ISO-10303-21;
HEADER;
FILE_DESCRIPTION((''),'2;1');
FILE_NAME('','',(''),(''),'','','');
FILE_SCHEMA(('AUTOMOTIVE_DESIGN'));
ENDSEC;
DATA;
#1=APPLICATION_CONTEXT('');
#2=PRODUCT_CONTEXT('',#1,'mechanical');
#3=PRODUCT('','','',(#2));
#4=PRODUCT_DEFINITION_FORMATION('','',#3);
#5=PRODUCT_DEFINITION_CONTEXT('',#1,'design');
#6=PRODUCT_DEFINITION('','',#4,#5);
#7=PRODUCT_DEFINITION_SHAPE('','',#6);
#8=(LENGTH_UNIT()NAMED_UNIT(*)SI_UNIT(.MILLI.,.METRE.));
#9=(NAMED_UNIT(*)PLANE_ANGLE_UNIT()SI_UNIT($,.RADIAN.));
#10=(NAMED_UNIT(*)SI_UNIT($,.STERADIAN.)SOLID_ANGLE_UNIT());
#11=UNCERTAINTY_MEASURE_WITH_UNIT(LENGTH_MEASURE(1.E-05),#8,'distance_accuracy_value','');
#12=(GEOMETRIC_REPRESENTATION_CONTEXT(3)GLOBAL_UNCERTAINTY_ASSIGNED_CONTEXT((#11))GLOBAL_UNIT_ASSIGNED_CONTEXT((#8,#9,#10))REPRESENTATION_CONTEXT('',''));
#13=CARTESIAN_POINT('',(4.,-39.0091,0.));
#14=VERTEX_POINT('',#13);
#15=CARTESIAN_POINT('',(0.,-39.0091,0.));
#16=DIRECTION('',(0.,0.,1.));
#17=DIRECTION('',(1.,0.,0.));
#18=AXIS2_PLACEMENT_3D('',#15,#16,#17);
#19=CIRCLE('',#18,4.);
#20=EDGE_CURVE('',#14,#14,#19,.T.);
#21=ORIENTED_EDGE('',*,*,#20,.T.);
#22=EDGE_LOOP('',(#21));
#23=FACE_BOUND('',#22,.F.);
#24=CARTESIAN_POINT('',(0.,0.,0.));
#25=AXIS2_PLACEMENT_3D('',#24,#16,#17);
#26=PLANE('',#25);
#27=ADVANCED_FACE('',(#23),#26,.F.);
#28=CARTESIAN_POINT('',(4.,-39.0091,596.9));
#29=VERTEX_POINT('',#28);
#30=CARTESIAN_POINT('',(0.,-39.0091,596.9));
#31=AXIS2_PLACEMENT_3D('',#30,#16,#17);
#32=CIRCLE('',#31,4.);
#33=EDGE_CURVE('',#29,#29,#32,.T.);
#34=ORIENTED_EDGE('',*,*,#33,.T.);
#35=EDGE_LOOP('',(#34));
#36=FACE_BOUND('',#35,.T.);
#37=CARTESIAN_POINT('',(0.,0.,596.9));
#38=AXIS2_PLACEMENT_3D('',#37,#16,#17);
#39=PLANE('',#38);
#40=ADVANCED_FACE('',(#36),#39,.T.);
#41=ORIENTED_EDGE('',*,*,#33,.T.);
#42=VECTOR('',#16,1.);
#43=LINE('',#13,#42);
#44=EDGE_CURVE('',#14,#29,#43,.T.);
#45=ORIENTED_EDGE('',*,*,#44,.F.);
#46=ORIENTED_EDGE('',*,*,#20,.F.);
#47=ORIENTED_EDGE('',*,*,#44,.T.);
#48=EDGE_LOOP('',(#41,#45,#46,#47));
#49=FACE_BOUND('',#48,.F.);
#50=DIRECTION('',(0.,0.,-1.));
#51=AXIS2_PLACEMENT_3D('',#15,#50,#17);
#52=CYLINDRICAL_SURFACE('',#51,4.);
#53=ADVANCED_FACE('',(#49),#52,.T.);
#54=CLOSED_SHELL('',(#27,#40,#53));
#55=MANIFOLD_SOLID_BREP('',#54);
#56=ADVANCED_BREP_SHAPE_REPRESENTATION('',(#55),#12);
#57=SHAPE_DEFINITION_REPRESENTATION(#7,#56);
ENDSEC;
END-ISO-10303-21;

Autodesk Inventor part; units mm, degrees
ref_plane "YZ Plane" through (0, 0, 0) normal (1, 0, 0) x (0, 1, 0)
ref_plane "XZ Plane" through (0, 0, 0) normal (0, 1, 0) x (-1, 0, 0)
ref_plane "XY Plane" through (0, 0, 0) normal (0, 0, 1) x (1, 0, 0)
ref_plane "Work Plane1" through (0, 0, 0) normal (0, 0, 1) x (1, 0, 0)
sketch "Sketch1" plane through (0, 0, 0) normal (0, 0, 1) x (1, 0, 0)
  circle A0 centre (0, -39.0091) radius 4
  point P0 (0, 0)
  dimension "d0" = 8
extrude "Extrusion1" add sketch "Sketch1" along normal blind 596.9
properties part number "Z rails"
